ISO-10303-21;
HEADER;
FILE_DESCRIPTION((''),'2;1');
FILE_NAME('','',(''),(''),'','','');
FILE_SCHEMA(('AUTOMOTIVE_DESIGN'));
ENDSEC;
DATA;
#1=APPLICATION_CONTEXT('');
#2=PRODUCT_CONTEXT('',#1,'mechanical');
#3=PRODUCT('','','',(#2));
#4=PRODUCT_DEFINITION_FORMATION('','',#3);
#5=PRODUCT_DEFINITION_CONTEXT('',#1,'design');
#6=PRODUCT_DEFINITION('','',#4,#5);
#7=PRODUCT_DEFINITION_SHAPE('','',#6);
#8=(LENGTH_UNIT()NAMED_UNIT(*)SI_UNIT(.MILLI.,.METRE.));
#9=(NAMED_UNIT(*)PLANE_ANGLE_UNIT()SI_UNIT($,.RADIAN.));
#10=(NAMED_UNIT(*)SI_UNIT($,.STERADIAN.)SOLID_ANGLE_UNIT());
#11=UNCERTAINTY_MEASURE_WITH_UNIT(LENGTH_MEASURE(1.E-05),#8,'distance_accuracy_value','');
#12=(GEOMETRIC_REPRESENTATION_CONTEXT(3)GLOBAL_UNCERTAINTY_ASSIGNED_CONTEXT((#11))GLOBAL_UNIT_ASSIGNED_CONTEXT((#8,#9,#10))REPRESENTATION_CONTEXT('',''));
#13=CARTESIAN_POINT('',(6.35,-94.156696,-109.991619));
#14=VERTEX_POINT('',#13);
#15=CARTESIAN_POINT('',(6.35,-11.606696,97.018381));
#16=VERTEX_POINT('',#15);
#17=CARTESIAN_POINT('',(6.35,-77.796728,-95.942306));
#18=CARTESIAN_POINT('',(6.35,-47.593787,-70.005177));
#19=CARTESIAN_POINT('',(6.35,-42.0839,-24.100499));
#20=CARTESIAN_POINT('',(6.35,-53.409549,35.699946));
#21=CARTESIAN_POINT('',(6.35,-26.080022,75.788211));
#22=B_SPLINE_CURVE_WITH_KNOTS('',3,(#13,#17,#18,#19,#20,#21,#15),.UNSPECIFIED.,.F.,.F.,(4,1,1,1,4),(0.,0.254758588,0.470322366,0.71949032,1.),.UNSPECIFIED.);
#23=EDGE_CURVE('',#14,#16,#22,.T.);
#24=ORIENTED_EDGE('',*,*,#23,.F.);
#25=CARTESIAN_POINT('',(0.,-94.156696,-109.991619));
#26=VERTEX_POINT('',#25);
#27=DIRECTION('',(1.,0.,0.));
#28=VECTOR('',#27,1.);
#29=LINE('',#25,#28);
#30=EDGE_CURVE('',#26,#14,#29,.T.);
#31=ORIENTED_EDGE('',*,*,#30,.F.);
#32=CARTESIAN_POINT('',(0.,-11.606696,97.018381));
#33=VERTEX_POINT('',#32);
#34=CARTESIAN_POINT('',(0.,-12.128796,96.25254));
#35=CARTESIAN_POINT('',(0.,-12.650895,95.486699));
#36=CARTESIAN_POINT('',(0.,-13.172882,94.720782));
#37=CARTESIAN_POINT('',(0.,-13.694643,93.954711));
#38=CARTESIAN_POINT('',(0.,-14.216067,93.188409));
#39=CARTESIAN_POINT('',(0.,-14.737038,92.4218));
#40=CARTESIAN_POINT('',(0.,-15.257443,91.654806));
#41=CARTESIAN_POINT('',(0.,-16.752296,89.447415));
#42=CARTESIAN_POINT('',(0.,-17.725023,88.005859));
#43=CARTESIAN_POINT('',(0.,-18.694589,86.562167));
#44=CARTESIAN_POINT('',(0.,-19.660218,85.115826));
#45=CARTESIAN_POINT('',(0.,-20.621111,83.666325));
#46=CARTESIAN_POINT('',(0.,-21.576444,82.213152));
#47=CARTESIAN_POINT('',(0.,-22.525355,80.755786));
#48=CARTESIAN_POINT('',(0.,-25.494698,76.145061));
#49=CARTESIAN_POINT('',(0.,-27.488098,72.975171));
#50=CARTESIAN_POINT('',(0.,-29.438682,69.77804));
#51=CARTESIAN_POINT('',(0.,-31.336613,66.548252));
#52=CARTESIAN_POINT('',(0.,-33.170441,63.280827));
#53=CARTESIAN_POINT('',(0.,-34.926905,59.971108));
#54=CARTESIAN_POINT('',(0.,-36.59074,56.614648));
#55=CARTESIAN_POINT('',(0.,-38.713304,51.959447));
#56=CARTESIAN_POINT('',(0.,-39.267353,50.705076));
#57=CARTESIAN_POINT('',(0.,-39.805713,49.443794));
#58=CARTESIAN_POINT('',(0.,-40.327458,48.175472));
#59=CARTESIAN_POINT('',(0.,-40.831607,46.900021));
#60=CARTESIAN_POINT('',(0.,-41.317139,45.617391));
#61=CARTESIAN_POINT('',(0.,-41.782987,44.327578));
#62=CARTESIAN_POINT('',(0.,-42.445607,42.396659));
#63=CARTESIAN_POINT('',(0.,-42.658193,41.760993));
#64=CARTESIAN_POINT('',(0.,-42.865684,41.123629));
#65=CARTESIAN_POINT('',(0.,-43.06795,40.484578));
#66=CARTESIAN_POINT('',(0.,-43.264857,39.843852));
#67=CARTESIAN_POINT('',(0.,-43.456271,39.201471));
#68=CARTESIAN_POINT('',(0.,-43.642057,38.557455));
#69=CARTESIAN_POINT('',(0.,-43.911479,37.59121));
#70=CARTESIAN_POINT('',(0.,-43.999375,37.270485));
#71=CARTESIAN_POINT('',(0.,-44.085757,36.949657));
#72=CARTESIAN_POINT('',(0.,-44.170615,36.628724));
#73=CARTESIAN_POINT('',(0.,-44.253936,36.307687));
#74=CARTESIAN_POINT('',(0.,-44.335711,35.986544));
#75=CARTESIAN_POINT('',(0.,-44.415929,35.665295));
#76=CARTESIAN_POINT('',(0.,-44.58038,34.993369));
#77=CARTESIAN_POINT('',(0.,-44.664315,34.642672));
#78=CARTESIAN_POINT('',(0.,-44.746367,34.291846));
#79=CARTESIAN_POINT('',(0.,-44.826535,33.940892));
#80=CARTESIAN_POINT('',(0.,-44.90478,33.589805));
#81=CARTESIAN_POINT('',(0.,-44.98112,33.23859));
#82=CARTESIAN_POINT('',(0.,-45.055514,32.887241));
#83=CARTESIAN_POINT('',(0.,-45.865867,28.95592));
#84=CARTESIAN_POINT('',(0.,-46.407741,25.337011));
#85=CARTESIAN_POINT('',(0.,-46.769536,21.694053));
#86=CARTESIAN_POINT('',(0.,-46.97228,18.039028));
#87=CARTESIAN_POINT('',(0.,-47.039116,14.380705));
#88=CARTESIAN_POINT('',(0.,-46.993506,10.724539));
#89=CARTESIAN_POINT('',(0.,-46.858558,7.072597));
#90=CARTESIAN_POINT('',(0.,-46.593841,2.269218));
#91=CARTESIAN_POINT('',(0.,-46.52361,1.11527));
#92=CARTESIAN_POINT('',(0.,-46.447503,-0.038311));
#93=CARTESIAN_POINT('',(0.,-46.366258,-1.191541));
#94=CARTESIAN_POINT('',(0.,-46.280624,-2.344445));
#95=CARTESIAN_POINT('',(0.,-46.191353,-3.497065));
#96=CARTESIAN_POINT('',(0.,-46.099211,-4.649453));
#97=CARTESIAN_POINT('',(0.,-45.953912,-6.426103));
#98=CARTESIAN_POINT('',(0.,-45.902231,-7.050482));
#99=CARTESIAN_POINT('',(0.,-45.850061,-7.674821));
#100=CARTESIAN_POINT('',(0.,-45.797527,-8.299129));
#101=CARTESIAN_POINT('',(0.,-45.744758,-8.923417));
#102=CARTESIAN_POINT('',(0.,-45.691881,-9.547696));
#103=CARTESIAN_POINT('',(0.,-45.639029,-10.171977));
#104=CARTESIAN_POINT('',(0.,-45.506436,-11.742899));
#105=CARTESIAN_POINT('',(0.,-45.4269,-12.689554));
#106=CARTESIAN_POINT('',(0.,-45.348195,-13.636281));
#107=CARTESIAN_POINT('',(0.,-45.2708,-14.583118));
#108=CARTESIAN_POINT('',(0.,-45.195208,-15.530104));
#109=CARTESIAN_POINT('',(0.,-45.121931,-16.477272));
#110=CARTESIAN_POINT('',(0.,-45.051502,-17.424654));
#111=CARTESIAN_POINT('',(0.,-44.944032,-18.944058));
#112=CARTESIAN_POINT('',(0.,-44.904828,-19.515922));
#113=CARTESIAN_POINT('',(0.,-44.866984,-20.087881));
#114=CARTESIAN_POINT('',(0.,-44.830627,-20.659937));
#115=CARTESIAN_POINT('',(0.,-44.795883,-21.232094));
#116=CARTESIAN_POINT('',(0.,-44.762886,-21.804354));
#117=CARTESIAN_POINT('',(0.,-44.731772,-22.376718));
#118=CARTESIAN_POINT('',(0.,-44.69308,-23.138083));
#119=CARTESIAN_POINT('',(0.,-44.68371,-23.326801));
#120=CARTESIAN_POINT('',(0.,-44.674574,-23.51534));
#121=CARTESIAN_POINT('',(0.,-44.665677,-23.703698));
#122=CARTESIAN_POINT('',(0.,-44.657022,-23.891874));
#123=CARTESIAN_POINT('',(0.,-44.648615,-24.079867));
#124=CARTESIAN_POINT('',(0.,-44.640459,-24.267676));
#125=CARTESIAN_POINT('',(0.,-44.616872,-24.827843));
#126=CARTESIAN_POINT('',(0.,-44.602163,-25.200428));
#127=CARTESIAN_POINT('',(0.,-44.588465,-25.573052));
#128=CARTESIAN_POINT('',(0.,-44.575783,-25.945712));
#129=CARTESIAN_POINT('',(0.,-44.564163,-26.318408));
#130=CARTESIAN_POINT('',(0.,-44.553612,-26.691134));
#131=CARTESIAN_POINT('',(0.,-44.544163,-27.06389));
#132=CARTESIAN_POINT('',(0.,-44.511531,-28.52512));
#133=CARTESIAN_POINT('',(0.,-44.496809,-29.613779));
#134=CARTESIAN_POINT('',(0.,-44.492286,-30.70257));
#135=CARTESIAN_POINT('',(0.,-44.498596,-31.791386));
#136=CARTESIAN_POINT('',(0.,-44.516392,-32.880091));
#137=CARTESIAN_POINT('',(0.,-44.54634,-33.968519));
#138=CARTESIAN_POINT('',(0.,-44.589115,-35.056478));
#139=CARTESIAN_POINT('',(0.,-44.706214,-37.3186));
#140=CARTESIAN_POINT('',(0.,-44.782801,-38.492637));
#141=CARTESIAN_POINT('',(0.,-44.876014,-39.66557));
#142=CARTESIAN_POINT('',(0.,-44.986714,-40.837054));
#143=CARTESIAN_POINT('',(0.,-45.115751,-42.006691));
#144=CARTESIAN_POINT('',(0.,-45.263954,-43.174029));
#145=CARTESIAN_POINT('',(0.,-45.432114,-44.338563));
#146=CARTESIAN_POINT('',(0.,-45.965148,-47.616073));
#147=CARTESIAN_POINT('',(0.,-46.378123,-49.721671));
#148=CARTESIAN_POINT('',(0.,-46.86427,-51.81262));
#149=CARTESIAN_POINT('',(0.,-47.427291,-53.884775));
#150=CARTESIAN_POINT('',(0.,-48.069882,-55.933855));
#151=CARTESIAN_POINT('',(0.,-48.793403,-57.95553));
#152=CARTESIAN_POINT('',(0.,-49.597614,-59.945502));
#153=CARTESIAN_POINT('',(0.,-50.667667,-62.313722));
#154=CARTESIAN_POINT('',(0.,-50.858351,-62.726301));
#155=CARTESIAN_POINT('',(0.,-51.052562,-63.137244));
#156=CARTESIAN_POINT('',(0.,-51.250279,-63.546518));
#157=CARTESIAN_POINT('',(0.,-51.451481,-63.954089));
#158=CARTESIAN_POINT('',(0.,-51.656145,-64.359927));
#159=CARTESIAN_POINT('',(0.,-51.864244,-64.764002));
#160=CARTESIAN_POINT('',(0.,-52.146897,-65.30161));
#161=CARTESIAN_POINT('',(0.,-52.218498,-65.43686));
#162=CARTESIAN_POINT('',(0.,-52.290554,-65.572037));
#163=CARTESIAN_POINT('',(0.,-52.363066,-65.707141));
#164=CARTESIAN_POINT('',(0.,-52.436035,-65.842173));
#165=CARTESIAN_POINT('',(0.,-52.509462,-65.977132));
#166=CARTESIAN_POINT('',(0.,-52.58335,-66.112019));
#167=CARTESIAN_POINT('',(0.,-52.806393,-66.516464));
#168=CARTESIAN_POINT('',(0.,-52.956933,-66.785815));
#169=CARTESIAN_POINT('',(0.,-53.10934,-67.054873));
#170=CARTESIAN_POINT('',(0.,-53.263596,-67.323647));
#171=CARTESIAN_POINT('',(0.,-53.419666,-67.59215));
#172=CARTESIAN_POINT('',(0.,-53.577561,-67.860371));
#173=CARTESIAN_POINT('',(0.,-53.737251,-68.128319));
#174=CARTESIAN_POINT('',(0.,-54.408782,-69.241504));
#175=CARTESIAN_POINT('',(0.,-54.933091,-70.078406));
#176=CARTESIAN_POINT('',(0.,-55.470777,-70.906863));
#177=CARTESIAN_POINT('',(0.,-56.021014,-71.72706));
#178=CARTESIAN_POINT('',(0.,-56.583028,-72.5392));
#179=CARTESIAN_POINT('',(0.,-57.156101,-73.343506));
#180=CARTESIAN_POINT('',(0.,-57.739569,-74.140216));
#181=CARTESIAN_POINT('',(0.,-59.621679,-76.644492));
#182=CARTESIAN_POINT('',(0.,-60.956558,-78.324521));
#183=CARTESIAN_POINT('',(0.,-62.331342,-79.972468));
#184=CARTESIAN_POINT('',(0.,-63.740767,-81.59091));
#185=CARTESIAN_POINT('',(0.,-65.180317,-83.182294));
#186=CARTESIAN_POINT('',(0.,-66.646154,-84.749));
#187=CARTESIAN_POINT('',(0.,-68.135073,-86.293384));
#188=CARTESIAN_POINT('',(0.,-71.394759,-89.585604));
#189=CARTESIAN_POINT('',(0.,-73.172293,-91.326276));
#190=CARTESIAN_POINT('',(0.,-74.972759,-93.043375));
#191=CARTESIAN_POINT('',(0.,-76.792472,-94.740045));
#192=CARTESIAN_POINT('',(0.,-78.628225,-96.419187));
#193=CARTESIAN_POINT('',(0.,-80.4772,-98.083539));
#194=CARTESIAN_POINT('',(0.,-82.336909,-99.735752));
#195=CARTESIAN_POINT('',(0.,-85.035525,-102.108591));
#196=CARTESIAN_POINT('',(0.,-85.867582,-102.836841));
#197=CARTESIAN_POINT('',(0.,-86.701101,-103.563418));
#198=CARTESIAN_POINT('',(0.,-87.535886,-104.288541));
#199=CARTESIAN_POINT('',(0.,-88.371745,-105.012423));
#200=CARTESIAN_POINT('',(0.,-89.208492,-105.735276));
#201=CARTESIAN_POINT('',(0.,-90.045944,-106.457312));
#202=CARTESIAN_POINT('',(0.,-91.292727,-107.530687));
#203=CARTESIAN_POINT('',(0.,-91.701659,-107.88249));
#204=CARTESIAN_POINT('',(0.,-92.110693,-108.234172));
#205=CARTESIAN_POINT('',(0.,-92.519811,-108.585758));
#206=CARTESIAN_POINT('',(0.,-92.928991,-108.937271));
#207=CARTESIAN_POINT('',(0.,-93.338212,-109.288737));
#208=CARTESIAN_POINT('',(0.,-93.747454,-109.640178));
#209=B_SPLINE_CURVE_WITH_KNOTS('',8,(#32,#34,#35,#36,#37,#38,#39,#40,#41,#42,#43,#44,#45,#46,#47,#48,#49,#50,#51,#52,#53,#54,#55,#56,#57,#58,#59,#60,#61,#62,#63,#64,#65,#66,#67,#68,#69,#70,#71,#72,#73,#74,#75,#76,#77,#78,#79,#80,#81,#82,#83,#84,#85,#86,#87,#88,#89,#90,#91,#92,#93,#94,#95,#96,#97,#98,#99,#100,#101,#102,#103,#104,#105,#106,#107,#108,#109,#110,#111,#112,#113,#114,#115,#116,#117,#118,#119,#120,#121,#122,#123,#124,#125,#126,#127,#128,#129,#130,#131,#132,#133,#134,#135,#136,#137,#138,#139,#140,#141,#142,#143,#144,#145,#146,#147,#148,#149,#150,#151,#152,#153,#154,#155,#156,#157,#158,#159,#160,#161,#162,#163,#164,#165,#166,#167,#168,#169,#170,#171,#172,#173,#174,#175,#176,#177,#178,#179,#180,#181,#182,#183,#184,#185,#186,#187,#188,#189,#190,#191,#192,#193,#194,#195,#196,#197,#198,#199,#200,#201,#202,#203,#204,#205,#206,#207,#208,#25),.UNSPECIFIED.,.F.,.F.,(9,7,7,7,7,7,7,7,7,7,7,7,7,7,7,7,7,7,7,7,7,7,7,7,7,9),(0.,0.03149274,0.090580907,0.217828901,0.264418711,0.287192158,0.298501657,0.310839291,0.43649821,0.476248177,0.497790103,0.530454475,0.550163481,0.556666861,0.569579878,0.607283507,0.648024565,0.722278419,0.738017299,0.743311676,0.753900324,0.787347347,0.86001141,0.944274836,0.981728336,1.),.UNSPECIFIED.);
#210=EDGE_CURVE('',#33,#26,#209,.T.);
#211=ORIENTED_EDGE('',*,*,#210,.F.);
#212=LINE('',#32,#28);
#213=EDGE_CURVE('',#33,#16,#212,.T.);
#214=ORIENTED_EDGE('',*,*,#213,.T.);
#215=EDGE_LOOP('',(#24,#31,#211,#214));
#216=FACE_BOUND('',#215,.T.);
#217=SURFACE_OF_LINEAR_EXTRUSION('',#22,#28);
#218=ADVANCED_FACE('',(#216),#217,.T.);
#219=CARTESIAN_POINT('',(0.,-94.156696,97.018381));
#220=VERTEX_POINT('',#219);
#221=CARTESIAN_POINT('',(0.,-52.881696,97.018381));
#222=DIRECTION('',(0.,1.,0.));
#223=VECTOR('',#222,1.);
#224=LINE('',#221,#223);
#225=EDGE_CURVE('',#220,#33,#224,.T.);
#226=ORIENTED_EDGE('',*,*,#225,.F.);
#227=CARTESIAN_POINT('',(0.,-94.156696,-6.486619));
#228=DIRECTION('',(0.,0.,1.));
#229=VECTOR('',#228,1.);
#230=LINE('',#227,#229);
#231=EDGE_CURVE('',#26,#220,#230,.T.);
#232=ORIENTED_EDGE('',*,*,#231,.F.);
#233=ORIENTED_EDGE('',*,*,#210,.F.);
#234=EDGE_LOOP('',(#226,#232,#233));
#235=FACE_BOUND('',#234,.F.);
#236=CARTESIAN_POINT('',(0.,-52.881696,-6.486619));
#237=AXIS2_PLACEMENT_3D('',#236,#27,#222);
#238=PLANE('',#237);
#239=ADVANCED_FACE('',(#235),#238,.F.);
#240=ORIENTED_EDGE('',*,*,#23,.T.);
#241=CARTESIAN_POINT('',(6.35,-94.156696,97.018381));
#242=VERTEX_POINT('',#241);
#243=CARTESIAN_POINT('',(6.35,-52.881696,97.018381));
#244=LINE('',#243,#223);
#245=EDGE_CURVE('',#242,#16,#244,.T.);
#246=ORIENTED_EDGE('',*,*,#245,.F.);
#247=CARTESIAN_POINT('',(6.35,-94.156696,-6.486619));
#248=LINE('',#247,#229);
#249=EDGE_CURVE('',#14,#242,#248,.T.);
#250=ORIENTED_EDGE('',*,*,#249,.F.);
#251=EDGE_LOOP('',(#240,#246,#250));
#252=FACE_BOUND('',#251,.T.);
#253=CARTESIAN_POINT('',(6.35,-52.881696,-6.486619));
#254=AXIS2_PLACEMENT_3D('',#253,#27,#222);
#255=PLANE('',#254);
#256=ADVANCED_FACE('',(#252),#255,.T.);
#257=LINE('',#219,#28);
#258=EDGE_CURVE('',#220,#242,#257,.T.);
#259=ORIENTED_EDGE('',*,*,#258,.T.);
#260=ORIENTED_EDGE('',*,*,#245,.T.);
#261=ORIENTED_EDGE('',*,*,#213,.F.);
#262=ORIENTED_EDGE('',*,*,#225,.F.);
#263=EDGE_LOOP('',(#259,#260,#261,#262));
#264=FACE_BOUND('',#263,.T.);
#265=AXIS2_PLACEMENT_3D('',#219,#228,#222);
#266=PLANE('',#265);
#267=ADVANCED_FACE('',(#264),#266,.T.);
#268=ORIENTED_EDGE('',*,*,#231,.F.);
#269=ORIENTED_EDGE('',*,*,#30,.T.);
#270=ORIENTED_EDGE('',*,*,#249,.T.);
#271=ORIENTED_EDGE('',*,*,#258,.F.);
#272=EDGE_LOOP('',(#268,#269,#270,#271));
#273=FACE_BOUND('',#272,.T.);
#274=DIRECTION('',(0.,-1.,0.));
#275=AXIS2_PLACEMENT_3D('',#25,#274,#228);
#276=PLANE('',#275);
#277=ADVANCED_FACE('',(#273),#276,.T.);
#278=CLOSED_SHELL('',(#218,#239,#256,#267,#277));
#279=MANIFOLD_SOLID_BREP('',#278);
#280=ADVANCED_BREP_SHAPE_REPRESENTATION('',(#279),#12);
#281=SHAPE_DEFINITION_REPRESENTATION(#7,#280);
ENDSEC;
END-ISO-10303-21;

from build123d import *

# Parameters (mm, degrees)
F0_W     = 82.55
F0_H     = 207.01
F1_DEPTH = 6.35
F3_DEPTH = 12.7


with BuildPart() as f1:
    # F0 (on Right) → F1 (new body)
    with BuildSketch(Plane.YZ):
        with Locations((-52.8816960618, -6.4866193426)):
            Rectangle(F0_W, F0_H)
    extrude(amount=F1_DEPTH)

    # F2 (on face) → F3 (cut)
    with BuildSketch(Plane.YZ.offset(6.35)):
        with BuildLine():
            add(Edge.make_bspline(
                [(-94.1566960618, -109.9916193426), (-77.796728367, -95.9423058875), (-47.5937868436, -70.0051768758), (-42.0838996751, -24.1004989698), (-53.4095488331, 35.6999464557), (-26.0800217267, 75.7882107376), (-11.6066960618, 97.0183806574)],
                knots=[0, 0, 0, 0, 0.2547585875, 0.4703223664, 0.7194903205, 1, 1, 1, 1], degree=3))
            Line((-94.1566960618, -109.9916193426), (-11.6066960618, -109.9916193426))
            Line((-11.6066960618, -109.9916193426), (-11.6066960618, 97.0183806574))
        make_face()
    extrude(amount=-F3_DEPTH, mode=Mode.SUBTRACT)


solid = f1.part
